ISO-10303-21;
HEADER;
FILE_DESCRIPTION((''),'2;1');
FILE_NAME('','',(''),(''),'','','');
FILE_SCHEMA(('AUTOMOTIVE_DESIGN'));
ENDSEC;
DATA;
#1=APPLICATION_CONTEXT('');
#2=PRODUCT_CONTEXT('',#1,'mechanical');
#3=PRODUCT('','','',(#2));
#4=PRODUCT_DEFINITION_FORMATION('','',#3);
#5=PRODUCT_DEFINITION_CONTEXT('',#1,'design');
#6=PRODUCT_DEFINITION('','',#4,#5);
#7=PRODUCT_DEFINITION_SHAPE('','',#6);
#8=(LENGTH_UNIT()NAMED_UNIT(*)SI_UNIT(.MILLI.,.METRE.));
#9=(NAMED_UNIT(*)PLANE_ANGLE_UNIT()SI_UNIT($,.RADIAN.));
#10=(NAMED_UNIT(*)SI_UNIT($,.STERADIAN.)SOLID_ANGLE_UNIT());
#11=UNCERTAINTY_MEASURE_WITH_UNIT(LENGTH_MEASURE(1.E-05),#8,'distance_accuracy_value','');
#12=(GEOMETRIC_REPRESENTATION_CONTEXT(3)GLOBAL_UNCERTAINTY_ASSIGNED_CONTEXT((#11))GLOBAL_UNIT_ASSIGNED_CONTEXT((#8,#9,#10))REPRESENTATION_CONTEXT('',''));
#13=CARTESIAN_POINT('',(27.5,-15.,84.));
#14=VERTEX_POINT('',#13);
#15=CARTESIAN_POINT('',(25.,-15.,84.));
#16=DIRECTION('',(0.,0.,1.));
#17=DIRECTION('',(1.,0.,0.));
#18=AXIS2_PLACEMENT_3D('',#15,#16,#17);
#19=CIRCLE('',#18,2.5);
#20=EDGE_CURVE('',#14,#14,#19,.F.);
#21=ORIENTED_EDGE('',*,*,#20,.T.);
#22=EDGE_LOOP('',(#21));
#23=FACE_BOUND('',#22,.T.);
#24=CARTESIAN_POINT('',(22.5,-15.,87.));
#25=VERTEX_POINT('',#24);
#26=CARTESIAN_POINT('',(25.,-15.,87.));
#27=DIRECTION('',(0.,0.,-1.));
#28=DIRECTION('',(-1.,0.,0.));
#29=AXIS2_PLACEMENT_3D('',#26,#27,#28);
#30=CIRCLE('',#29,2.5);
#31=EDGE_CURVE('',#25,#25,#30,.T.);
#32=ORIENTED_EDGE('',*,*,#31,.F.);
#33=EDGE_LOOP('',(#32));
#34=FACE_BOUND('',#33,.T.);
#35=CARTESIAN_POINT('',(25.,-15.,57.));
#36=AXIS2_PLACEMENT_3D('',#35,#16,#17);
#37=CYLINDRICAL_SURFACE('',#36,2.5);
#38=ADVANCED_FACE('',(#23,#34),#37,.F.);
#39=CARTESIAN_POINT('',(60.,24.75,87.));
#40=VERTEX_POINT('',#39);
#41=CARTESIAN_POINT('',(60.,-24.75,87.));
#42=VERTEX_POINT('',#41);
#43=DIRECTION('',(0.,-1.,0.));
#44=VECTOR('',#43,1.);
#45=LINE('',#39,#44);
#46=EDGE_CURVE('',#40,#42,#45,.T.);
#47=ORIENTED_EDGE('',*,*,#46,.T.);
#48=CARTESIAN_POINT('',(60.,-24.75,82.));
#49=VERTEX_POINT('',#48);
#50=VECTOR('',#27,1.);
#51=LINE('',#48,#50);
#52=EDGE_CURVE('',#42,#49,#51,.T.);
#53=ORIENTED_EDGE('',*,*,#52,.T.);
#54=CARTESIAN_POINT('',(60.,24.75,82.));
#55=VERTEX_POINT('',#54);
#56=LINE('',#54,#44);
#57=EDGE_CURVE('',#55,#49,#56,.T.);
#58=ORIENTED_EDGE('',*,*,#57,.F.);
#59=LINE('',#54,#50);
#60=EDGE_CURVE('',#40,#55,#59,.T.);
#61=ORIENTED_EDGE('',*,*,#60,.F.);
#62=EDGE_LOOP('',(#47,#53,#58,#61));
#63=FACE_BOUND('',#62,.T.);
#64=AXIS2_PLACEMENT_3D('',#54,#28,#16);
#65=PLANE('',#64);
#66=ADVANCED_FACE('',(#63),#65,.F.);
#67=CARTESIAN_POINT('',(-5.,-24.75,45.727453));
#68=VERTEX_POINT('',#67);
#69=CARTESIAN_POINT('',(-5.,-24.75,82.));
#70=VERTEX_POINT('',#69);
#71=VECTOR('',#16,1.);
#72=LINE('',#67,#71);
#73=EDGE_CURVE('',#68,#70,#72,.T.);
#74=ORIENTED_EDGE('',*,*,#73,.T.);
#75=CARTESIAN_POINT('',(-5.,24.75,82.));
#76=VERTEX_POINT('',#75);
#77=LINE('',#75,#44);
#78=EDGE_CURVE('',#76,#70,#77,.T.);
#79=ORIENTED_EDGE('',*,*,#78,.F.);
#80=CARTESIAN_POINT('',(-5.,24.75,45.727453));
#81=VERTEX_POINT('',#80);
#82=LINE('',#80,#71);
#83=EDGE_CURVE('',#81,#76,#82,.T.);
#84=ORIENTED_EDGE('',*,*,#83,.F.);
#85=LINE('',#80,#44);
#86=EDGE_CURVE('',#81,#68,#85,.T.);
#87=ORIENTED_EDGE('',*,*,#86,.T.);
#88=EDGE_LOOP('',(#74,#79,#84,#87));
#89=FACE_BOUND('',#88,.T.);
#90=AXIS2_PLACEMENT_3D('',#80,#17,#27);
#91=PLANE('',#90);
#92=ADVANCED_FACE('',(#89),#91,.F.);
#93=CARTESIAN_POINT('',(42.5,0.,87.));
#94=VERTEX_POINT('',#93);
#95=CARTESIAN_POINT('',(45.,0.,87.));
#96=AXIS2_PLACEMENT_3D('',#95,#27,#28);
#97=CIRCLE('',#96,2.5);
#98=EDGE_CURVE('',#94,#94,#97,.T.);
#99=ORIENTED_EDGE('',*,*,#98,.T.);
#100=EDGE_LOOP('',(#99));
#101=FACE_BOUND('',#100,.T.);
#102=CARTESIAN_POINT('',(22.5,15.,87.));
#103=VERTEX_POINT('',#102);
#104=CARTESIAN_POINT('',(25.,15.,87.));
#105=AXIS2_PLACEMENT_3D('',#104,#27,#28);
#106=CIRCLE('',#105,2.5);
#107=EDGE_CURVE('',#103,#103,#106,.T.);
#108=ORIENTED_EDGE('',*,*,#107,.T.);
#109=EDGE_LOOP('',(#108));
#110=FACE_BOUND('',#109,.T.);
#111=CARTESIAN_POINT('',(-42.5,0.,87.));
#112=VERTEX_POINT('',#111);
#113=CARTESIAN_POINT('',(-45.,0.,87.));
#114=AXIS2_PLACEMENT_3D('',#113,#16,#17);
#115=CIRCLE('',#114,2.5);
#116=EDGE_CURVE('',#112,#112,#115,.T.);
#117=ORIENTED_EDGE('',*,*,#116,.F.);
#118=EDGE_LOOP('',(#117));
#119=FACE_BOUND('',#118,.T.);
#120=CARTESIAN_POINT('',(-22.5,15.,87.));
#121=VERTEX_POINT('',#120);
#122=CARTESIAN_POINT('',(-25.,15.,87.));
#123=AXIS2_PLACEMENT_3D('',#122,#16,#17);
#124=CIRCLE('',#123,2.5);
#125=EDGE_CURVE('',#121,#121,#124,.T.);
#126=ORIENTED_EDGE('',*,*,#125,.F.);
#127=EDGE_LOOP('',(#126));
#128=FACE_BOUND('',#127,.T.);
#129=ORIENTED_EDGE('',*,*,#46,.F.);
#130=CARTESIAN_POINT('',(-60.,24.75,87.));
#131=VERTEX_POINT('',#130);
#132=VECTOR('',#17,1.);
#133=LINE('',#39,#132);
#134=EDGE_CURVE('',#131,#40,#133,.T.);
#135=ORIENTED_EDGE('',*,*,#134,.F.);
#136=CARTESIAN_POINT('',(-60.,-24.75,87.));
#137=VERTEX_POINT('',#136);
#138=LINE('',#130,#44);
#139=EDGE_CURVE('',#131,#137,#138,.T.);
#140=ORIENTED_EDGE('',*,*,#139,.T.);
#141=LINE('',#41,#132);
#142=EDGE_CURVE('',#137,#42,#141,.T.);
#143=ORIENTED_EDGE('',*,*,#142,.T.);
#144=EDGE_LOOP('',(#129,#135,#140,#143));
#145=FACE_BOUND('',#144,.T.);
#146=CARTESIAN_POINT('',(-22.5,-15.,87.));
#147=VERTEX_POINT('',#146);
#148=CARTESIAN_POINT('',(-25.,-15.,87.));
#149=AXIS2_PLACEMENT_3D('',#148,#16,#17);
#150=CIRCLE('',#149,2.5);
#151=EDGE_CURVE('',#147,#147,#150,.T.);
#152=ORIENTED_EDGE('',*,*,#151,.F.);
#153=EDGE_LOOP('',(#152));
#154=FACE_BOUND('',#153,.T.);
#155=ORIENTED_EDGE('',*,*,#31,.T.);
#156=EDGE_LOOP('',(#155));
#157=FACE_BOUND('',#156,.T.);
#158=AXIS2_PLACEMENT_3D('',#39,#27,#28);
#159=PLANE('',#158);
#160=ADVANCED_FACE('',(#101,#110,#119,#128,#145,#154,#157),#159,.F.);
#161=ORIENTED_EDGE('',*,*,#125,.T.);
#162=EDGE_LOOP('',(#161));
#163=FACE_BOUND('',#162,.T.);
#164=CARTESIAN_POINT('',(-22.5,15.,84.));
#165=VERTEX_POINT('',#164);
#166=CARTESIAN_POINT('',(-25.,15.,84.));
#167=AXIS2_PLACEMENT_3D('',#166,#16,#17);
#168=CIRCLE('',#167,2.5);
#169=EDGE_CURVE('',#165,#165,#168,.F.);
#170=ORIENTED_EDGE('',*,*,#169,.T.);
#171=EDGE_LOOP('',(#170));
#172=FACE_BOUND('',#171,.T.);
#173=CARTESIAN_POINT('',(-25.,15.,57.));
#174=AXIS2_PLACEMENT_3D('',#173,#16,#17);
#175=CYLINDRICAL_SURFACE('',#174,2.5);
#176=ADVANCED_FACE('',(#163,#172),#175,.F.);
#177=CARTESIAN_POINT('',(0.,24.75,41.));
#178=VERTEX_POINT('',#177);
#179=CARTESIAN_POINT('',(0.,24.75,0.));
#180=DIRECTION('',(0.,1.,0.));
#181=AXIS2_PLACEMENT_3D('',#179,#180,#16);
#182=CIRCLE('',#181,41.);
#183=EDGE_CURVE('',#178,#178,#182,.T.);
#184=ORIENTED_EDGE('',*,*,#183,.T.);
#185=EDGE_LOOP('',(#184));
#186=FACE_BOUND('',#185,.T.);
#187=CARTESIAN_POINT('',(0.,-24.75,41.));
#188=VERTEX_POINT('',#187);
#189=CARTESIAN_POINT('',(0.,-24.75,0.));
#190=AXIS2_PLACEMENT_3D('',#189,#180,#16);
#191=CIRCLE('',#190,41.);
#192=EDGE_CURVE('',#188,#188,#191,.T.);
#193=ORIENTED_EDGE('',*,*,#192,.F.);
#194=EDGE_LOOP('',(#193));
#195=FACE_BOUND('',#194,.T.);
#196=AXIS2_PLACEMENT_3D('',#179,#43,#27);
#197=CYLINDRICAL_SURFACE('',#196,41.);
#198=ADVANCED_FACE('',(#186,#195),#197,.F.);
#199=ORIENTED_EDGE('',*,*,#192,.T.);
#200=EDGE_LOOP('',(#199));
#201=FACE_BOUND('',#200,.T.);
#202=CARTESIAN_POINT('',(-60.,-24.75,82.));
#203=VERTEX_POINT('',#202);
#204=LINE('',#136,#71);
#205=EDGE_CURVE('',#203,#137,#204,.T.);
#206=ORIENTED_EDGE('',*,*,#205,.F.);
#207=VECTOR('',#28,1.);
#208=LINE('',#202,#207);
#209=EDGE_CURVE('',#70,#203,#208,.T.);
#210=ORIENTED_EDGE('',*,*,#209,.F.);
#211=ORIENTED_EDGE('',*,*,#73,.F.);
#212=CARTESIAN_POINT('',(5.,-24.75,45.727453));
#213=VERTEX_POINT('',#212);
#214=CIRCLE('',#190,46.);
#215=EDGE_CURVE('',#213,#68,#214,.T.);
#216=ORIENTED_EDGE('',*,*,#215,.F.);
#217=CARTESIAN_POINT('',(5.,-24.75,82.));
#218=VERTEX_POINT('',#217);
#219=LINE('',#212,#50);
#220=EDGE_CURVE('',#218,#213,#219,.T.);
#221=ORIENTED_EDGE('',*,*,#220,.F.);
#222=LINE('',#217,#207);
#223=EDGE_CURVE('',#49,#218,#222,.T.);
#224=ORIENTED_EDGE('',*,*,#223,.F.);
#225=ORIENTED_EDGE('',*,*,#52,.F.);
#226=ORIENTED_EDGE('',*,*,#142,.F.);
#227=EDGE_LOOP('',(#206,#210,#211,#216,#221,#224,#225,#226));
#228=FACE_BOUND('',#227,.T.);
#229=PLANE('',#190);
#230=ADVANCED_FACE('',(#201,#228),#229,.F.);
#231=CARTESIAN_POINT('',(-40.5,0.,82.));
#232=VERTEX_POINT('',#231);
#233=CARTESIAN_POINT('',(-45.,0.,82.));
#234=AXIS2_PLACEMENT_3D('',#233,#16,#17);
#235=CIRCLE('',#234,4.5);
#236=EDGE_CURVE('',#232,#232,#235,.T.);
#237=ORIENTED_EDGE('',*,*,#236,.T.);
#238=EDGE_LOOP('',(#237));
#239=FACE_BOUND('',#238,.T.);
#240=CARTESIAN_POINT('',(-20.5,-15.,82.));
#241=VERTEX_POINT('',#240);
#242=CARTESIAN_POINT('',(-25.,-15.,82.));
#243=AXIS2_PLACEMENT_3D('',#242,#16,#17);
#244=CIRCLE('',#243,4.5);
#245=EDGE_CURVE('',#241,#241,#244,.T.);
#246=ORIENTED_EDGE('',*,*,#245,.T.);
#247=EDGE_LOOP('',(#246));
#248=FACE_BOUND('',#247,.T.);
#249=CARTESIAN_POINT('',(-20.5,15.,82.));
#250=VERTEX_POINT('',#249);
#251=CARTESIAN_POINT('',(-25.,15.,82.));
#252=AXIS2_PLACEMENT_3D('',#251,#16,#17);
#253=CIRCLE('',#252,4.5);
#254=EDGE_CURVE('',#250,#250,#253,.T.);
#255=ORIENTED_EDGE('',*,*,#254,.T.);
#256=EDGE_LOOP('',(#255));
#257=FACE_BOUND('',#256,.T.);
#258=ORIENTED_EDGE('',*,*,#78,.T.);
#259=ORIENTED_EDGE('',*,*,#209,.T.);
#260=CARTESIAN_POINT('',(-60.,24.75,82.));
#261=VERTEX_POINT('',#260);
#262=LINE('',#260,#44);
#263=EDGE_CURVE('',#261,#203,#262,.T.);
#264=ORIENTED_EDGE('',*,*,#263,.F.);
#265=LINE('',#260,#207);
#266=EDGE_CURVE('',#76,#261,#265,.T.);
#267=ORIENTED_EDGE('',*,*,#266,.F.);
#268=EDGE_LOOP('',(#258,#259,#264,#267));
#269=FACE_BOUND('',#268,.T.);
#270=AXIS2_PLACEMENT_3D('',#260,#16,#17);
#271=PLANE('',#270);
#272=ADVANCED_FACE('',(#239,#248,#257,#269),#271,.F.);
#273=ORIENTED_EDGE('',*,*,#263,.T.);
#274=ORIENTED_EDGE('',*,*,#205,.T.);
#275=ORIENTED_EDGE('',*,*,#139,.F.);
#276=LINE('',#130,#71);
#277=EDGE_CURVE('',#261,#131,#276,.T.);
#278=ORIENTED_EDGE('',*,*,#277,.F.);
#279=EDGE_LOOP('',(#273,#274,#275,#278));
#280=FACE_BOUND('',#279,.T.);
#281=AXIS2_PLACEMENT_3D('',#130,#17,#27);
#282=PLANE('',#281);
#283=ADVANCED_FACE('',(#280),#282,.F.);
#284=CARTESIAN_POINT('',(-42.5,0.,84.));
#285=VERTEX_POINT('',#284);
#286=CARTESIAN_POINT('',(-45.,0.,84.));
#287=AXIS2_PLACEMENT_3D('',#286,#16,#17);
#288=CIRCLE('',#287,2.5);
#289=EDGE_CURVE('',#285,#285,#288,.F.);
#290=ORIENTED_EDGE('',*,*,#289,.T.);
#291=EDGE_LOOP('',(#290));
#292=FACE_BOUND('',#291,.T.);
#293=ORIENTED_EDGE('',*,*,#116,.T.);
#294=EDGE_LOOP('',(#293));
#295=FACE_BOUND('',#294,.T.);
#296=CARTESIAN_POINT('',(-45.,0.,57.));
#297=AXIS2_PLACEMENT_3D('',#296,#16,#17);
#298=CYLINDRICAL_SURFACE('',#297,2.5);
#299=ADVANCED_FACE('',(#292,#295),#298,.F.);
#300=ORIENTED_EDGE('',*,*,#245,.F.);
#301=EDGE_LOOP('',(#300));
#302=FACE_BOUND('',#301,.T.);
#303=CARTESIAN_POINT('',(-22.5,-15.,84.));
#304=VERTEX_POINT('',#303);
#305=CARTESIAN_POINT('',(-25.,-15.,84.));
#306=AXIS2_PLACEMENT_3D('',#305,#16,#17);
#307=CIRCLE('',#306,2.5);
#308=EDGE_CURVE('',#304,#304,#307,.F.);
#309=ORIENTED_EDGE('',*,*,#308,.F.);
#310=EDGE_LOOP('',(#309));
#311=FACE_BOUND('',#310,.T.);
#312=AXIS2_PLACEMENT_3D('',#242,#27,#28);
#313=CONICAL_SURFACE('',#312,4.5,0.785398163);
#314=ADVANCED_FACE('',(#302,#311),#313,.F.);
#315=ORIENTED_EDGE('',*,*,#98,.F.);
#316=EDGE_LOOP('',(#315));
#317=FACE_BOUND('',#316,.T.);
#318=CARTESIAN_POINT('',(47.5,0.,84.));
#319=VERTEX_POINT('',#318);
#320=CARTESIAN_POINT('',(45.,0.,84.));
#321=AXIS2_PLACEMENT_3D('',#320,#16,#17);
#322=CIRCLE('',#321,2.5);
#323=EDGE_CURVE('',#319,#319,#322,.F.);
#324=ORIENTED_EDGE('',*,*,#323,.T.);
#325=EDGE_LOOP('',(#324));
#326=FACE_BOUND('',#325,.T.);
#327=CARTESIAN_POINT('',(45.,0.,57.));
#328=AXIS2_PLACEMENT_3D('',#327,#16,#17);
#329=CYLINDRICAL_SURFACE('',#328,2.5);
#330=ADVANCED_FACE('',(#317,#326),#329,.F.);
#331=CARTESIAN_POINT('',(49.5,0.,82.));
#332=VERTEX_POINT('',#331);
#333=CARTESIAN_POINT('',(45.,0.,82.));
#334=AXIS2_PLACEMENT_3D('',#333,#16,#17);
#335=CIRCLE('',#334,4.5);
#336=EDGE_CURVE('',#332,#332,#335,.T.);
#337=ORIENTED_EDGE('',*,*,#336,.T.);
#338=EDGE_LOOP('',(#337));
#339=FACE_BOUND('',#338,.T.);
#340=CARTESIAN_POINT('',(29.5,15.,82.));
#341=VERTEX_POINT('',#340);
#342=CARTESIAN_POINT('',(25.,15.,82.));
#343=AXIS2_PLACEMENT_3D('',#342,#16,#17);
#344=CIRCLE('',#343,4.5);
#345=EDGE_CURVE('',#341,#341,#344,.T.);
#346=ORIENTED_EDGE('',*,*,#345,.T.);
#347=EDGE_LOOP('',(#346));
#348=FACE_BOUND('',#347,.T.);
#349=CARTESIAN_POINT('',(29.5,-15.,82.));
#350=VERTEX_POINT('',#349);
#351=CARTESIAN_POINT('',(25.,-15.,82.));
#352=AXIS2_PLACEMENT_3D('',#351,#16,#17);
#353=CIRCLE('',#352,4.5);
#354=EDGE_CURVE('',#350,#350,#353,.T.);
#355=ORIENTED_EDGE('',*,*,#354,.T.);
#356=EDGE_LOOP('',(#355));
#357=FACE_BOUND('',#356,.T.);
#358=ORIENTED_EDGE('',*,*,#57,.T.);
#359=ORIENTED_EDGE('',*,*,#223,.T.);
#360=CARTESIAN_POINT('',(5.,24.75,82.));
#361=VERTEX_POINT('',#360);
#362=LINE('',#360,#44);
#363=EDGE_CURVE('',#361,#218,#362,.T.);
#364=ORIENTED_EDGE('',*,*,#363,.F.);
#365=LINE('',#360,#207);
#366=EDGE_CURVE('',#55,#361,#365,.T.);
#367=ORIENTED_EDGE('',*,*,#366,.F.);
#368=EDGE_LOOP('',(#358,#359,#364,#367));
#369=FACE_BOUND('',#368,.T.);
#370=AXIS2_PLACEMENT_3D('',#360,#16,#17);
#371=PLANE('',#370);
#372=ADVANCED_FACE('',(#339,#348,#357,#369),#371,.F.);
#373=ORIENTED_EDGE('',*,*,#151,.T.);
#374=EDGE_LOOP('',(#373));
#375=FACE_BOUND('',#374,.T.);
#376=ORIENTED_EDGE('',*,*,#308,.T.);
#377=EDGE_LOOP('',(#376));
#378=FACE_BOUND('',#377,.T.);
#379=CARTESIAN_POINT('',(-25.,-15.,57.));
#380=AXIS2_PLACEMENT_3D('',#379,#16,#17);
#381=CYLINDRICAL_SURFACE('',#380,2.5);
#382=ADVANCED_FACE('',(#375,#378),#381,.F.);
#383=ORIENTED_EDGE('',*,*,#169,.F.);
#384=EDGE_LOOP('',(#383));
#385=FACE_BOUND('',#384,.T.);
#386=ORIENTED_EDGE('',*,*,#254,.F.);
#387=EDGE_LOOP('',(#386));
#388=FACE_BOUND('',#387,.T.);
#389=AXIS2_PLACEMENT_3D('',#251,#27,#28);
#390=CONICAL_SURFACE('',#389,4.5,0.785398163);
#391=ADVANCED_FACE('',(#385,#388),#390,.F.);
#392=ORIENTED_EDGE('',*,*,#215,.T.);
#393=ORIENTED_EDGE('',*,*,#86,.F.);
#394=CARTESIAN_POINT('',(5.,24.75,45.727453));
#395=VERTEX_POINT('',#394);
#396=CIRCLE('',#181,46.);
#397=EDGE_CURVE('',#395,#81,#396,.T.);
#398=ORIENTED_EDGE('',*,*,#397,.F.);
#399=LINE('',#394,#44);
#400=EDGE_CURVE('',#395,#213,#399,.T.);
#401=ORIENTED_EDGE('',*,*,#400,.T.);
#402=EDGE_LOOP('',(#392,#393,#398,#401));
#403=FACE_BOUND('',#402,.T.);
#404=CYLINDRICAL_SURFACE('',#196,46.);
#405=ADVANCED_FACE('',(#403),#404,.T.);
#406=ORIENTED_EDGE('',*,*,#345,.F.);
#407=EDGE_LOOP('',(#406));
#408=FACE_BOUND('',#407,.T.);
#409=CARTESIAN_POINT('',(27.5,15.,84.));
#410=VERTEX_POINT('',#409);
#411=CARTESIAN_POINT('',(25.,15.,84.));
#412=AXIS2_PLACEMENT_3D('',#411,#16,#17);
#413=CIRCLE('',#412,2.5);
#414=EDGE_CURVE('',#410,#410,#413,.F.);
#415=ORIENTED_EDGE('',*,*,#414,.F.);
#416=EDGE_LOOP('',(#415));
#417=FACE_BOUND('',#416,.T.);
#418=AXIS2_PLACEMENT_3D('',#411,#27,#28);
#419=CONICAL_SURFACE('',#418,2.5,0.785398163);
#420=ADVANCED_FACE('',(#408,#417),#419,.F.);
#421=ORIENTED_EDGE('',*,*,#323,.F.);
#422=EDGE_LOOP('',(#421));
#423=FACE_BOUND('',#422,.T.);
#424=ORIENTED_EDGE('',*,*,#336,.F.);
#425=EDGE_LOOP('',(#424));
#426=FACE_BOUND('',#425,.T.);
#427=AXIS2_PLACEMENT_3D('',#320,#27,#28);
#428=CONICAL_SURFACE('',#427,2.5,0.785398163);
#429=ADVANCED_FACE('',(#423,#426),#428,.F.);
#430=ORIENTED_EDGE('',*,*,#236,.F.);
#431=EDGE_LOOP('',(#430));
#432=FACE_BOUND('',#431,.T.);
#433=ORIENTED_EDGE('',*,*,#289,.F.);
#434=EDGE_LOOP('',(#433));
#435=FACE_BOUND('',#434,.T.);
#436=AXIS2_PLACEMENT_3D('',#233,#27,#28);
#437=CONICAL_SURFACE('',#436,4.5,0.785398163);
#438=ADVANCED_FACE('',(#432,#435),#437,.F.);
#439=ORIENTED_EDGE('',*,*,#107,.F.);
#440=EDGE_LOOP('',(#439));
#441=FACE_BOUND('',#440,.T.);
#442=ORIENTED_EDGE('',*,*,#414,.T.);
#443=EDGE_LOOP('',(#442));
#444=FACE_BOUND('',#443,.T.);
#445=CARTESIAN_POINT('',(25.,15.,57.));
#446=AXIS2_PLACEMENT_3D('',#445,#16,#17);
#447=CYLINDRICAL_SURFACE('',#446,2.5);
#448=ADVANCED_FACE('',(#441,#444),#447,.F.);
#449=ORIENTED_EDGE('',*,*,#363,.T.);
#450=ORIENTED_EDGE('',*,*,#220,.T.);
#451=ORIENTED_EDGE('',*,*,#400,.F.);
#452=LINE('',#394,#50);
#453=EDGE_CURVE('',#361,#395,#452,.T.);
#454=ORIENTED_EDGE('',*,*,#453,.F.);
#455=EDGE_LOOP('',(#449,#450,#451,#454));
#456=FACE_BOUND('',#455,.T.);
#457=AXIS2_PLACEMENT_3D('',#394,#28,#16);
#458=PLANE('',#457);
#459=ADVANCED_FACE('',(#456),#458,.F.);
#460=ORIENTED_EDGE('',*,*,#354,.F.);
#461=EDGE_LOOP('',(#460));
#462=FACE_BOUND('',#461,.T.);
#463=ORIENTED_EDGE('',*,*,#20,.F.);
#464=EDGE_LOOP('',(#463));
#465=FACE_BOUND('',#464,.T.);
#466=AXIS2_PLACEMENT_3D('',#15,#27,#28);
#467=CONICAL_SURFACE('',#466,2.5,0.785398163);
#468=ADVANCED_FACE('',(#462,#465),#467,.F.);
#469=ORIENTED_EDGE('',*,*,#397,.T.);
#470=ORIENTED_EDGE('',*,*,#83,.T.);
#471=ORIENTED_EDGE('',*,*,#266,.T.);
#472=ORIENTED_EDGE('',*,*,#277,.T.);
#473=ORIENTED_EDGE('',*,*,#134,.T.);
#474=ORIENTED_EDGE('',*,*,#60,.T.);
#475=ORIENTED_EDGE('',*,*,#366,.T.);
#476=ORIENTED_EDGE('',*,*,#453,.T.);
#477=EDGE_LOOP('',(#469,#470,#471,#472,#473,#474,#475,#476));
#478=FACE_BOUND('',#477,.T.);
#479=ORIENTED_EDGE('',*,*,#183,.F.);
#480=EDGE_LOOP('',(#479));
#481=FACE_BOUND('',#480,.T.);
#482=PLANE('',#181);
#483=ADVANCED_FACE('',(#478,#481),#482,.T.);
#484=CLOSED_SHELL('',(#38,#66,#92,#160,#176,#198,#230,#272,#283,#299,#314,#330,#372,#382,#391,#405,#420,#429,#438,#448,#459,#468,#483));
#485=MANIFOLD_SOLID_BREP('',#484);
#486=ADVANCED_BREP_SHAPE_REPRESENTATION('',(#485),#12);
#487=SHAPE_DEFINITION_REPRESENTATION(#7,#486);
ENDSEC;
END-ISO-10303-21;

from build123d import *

# Parameters (mm, degrees)
SKETCH3_R           = 41
BOSS_EXTRUDE1_DEPTH = 24.75
SKETCH4_R           = 2.5
CUT_EXTRUDE1_DEPTH  = 30
CHAMFER1_SIZE       = 2


with BuildPart() as part:
    # Sketch3 → Boss-Extrude1 (new, symmetric)
    with BuildSketch(Plane(origin=(0, 0, 0), x_dir=(1, 0, 0), z_dir=(0, 1, 0))):
        with BuildLine():
            Line((5, -82), (60, -82))
            Line((60, -82), (60, -87))
            Line((60, -87), (-60, -87))
            Line((-60, -87), (-60, -82))
            Line((-60, -82), (-5, -82))
            Line((-5, -82), (-5, -45.727453461))
            ThreePointArc((-5, -45.727453461), (0, 46), (5, -45.727453461))
            Line((5, -45.727453461), (5, -82))
        make_face()
        with Locations(Location((0, 0, 0), (0, 0, 270))):
            Circle(SKETCH3_R, mode=Mode.SUBTRACT)
    extrude(amount=BOSS_EXTRUDE1_DEPTH, both=True)

    # Sketch4 → Cut-Extrude1 (cut)
    with BuildSketch(Plane.XY.offset(87)):
        with Locations((-25, 15)):
            Circle(SKETCH4_R)
        with Locations((-45, 0)):
            Circle(SKETCH4_R)
        with Locations((-25, -15)):
            Circle(SKETCH4_R)
        with Locations((25, -15)):
            Circle(SKETCH4_R)
        with Locations((45, 0)):
            Circle(SKETCH4_R)
        with Locations((25, 15)):
            Circle(SKETCH4_R)
    extrude(amount=-CUT_EXTRUDE1_DEPTH, mode=Mode.SUBTRACT)

    # Chamfer1
    chamfer1_edges = [part.edges().sort_by_distance(p)[0] for p in [
        (-47.5, 0, 82),
        (-27.5, 15, 82),
        (-27.5, -15, 82),
        (22.5, 15, 82),
        (22.5, -15, 82),
        (42.5, 0, 82),
    ]]
    chamfer(chamfer1_edges, length=CHAMFER1_SIZE)


solid = part.part
